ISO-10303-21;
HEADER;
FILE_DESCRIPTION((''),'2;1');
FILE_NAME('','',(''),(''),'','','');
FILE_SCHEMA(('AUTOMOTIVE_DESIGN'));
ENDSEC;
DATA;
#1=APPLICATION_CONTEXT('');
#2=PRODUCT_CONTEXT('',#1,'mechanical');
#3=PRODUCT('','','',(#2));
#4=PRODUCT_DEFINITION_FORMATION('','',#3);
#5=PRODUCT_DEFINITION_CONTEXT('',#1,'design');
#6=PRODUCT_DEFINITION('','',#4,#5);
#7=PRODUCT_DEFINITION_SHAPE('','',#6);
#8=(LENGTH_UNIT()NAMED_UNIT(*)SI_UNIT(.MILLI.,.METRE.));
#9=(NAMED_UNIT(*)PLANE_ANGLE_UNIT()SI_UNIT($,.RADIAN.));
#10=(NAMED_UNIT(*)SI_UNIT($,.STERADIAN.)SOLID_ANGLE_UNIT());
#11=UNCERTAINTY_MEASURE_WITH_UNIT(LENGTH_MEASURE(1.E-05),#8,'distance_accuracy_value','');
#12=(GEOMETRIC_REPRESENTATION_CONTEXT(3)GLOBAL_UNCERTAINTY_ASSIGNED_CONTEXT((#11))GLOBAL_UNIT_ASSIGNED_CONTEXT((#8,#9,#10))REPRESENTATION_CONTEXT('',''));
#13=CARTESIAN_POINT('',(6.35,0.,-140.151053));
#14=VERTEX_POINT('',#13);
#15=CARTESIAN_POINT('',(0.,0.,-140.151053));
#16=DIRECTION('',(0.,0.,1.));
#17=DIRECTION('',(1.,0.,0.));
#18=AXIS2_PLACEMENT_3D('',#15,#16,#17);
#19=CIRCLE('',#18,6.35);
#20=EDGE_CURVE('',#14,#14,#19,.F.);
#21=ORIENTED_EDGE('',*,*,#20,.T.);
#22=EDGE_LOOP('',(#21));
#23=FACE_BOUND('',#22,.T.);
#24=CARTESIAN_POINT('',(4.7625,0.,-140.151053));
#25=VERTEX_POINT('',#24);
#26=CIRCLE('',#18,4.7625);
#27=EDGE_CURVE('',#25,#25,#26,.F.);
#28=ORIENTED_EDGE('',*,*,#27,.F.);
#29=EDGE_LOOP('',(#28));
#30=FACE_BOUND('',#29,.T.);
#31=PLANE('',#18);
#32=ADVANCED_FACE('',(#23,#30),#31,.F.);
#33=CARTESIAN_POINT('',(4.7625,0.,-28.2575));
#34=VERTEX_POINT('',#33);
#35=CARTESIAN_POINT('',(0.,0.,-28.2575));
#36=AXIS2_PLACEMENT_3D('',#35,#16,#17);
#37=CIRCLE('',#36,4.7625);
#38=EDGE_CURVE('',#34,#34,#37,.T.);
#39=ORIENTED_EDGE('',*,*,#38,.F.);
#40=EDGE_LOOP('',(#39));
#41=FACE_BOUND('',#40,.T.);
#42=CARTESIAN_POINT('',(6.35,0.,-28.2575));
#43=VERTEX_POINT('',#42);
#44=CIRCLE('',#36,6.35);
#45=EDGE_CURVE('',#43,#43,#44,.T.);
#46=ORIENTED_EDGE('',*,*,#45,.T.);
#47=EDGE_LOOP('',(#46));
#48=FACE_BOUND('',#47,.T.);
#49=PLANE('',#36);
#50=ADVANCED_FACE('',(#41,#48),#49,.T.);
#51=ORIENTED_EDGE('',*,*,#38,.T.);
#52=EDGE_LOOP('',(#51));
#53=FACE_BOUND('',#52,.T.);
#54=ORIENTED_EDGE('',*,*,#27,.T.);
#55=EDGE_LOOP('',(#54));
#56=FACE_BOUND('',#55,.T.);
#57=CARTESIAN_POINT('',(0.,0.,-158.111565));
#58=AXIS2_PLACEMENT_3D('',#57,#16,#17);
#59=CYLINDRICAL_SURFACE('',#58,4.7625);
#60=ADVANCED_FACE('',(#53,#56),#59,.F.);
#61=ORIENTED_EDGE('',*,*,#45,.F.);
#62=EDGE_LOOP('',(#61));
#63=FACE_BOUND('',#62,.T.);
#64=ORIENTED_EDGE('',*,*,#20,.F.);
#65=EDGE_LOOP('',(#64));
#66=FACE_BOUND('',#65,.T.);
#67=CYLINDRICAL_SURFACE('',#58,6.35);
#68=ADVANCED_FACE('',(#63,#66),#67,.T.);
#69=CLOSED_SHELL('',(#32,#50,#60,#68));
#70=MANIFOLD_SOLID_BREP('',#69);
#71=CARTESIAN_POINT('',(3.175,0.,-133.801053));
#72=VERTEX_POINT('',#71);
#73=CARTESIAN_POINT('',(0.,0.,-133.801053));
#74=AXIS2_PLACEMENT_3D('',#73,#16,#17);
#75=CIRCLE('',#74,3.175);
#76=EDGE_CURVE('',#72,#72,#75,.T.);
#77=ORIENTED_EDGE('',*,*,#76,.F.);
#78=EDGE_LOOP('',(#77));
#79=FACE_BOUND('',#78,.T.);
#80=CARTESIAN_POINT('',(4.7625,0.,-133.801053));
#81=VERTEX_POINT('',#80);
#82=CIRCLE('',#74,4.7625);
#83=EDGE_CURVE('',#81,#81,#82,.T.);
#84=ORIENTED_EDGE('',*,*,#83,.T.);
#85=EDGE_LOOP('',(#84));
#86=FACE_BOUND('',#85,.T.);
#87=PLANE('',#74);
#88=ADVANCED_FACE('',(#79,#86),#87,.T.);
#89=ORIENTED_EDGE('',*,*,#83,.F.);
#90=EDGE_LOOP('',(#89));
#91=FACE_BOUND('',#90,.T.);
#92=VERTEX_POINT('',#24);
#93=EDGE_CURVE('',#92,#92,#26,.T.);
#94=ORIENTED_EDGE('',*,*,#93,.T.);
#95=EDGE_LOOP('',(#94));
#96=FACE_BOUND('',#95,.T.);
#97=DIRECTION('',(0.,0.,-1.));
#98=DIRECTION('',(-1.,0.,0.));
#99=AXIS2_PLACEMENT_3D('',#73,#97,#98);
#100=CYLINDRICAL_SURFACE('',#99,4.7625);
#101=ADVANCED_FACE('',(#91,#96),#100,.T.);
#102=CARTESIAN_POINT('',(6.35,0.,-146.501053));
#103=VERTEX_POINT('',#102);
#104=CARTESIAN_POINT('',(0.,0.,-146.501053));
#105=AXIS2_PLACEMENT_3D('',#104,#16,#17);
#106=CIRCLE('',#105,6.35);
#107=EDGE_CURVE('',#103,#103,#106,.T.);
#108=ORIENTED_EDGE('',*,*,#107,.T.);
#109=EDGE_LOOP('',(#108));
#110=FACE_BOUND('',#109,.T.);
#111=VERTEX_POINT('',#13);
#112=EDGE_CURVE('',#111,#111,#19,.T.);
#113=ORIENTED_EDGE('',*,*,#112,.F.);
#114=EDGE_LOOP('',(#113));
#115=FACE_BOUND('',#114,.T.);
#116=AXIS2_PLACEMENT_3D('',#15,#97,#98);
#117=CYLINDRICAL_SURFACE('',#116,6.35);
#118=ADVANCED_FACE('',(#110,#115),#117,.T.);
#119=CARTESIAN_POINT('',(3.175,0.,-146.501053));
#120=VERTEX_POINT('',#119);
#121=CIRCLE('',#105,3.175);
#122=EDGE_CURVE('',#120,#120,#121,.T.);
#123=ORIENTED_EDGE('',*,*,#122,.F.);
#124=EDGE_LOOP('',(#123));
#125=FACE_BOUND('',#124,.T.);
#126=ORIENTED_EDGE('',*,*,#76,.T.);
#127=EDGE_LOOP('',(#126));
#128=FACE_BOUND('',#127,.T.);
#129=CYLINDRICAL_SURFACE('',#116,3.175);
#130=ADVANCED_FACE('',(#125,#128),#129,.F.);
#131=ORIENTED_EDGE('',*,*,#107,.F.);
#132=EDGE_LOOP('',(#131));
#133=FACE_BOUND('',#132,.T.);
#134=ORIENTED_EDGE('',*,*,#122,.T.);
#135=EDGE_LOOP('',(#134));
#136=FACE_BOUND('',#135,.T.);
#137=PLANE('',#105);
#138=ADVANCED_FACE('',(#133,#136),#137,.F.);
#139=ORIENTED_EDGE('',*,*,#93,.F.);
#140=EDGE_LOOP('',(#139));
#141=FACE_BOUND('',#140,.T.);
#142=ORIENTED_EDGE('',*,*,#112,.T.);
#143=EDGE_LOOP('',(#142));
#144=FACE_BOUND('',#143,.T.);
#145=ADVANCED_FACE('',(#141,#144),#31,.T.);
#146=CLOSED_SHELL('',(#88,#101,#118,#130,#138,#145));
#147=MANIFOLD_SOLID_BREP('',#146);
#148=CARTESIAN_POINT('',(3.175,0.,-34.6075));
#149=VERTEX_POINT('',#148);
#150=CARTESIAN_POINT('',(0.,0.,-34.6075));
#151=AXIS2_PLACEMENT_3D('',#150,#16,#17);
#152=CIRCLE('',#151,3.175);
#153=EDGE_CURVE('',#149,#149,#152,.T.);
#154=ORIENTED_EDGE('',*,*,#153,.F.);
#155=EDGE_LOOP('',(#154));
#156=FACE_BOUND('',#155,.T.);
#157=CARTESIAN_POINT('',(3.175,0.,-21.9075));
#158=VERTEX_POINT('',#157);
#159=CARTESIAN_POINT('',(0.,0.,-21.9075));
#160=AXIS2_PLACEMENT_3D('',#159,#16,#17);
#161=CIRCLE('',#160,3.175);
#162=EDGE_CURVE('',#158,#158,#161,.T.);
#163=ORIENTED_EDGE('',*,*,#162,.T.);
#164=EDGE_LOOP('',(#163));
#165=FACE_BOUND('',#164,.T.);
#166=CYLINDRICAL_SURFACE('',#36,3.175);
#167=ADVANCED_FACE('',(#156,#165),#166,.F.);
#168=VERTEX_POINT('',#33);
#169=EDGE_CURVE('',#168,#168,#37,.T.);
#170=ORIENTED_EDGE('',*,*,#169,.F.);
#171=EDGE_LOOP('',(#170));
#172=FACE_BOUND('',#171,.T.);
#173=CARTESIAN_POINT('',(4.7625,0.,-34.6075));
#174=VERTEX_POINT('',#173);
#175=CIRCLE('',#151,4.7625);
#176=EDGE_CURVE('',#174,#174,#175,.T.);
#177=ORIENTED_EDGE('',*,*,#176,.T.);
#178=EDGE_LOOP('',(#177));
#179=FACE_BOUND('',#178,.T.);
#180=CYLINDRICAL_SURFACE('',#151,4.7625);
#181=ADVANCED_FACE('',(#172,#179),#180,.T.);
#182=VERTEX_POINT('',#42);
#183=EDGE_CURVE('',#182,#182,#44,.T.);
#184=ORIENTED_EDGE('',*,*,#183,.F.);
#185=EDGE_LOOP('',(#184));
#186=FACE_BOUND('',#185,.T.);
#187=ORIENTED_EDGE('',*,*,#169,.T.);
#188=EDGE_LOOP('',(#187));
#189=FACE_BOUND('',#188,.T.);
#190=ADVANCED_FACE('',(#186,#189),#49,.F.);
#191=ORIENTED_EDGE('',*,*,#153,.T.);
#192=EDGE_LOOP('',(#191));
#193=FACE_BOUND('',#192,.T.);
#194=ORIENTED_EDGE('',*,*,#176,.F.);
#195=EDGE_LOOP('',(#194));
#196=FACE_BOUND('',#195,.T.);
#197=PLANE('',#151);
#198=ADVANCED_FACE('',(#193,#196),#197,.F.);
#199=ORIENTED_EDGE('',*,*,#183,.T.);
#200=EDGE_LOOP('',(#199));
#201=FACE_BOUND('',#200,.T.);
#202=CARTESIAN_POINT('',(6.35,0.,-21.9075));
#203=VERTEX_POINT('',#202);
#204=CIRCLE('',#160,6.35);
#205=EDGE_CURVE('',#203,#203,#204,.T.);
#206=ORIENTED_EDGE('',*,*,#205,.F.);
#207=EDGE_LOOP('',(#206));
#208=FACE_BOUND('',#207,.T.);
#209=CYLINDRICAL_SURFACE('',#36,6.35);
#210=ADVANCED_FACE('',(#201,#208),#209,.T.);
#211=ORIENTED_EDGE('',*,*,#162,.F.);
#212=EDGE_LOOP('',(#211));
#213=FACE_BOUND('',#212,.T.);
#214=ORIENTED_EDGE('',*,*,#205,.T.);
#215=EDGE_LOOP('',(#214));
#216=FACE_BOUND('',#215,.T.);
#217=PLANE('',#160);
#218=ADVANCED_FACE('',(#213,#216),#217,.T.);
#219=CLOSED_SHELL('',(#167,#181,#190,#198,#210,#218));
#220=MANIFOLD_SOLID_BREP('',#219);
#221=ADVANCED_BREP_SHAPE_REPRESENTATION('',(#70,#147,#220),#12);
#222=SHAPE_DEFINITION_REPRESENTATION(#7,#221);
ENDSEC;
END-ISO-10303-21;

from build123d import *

# Parameters (mm, degrees)
THREADED_START            = -21.9075
SKETCH2_R                 = 6.35
SKETCH2_R_2               = 4.7625
SKETCH2_R_3               = 3.175
THREADED_INSERT_1_1_DEPTH = 6.35
THREADED_START_2          = -28.2575
SKETCH2_5_R               = 4.7625
SKETCH2_5_R_2             = 3.175
THREADED_INSERT_1_2_DEPTH = 6.35
BOSS_EXTRUDE4_START       = -146.501053
SKETCH2_7_R               = 6.35
SKETCH2_7_R_2             = 4.7625
SKETCH2_7_R_3             = 3.175
BOSS_EXTRUDE4_DEPTH       = 6.35
BOSS_EXTRUDE5_START       = -133.801053
SKETCH2_8_R               = 4.7625
SKETCH2_8_R_2             = 3.175
BOSS_EXTRUDE5_DEPTH       = 6.35
BOSS_EXTRUDE6_START       = -28.2575
SKETCH2_9_R               = 6.35
SKETCH2_9_R_2             = 4.7625
BOSS_EXTRUDE6_DEPTH       = 111.8935532


with BuildPart() as part:
    # Sketch2 → Threaded Insert 1-1 (new body)
    # profile 1 of 2: a face of its own
    with BuildSketch(Plane.XY.offset(THREADED_START)):
        Circle(SKETCH2_R)
        Circle(SKETCH2_R_2, mode=Mode.SUBTRACT)
    # profile 2 of 2: a face of its own
    with BuildSketch(Plane.XY.offset(THREADED_START)):
        Circle(SKETCH2_R_2)
        Circle(SKETCH2_R_3, mode=Mode.SUBTRACT)
    extrude(amount=-THREADED_INSERT_1_1_DEPTH)

    # Sketch2<5> → Threaded Insert 1-2 (add)
    with BuildSketch(Plane.XY.offset(THREADED_START_2)):
        Circle(SKETCH2_5_R)
        Circle(SKETCH2_5_R_2, mode=Mode.SUBTRACT)
    extrude(amount=-THREADED_INSERT_1_2_DEPTH)


with BuildPart() as body_2:
    # Sketch2<7> → Boss-Extrude4 (new body)
    # profile 1 of 2: a face of its own
    with BuildSketch(Plane.XY.offset(BOSS_EXTRUDE4_START)):
        Circle(SKETCH2_7_R)
        Circle(SKETCH2_7_R_2, mode=Mode.SUBTRACT)
    # profile 2 of 2: a face of its own
    with BuildSketch(Plane.XY.offset(BOSS_EXTRUDE4_START)):
        Circle(SKETCH2_7_R_2)
        Circle(SKETCH2_7_R_3, mode=Mode.SUBTRACT)
    extrude(amount=BOSS_EXTRUDE4_DEPTH)

    # Sketch2<8> → Boss-Extrude5 (add)
    with BuildSketch(Plane.XY.offset(BOSS_EXTRUDE5_START)):
        Circle(SKETCH2_8_R)
        Circle(SKETCH2_8_R_2, mode=Mode.SUBTRACT)
    extrude(amount=-BOSS_EXTRUDE5_DEPTH)


with BuildPart() as body_3:
    # Sketch2<9> → Boss-Extrude6 (new body)
    with BuildSketch(Plane.XY.offset(BOSS_EXTRUDE6_START)):
        Circle(SKETCH2_9_R)
        Circle(SKETCH2_9_R_2, mode=Mode.SUBTRACT)
    extrude(amount=-BOSS_EXTRUDE6_DEPTH)


solid = Compound([part.part, body_2.part, body_3.part])
